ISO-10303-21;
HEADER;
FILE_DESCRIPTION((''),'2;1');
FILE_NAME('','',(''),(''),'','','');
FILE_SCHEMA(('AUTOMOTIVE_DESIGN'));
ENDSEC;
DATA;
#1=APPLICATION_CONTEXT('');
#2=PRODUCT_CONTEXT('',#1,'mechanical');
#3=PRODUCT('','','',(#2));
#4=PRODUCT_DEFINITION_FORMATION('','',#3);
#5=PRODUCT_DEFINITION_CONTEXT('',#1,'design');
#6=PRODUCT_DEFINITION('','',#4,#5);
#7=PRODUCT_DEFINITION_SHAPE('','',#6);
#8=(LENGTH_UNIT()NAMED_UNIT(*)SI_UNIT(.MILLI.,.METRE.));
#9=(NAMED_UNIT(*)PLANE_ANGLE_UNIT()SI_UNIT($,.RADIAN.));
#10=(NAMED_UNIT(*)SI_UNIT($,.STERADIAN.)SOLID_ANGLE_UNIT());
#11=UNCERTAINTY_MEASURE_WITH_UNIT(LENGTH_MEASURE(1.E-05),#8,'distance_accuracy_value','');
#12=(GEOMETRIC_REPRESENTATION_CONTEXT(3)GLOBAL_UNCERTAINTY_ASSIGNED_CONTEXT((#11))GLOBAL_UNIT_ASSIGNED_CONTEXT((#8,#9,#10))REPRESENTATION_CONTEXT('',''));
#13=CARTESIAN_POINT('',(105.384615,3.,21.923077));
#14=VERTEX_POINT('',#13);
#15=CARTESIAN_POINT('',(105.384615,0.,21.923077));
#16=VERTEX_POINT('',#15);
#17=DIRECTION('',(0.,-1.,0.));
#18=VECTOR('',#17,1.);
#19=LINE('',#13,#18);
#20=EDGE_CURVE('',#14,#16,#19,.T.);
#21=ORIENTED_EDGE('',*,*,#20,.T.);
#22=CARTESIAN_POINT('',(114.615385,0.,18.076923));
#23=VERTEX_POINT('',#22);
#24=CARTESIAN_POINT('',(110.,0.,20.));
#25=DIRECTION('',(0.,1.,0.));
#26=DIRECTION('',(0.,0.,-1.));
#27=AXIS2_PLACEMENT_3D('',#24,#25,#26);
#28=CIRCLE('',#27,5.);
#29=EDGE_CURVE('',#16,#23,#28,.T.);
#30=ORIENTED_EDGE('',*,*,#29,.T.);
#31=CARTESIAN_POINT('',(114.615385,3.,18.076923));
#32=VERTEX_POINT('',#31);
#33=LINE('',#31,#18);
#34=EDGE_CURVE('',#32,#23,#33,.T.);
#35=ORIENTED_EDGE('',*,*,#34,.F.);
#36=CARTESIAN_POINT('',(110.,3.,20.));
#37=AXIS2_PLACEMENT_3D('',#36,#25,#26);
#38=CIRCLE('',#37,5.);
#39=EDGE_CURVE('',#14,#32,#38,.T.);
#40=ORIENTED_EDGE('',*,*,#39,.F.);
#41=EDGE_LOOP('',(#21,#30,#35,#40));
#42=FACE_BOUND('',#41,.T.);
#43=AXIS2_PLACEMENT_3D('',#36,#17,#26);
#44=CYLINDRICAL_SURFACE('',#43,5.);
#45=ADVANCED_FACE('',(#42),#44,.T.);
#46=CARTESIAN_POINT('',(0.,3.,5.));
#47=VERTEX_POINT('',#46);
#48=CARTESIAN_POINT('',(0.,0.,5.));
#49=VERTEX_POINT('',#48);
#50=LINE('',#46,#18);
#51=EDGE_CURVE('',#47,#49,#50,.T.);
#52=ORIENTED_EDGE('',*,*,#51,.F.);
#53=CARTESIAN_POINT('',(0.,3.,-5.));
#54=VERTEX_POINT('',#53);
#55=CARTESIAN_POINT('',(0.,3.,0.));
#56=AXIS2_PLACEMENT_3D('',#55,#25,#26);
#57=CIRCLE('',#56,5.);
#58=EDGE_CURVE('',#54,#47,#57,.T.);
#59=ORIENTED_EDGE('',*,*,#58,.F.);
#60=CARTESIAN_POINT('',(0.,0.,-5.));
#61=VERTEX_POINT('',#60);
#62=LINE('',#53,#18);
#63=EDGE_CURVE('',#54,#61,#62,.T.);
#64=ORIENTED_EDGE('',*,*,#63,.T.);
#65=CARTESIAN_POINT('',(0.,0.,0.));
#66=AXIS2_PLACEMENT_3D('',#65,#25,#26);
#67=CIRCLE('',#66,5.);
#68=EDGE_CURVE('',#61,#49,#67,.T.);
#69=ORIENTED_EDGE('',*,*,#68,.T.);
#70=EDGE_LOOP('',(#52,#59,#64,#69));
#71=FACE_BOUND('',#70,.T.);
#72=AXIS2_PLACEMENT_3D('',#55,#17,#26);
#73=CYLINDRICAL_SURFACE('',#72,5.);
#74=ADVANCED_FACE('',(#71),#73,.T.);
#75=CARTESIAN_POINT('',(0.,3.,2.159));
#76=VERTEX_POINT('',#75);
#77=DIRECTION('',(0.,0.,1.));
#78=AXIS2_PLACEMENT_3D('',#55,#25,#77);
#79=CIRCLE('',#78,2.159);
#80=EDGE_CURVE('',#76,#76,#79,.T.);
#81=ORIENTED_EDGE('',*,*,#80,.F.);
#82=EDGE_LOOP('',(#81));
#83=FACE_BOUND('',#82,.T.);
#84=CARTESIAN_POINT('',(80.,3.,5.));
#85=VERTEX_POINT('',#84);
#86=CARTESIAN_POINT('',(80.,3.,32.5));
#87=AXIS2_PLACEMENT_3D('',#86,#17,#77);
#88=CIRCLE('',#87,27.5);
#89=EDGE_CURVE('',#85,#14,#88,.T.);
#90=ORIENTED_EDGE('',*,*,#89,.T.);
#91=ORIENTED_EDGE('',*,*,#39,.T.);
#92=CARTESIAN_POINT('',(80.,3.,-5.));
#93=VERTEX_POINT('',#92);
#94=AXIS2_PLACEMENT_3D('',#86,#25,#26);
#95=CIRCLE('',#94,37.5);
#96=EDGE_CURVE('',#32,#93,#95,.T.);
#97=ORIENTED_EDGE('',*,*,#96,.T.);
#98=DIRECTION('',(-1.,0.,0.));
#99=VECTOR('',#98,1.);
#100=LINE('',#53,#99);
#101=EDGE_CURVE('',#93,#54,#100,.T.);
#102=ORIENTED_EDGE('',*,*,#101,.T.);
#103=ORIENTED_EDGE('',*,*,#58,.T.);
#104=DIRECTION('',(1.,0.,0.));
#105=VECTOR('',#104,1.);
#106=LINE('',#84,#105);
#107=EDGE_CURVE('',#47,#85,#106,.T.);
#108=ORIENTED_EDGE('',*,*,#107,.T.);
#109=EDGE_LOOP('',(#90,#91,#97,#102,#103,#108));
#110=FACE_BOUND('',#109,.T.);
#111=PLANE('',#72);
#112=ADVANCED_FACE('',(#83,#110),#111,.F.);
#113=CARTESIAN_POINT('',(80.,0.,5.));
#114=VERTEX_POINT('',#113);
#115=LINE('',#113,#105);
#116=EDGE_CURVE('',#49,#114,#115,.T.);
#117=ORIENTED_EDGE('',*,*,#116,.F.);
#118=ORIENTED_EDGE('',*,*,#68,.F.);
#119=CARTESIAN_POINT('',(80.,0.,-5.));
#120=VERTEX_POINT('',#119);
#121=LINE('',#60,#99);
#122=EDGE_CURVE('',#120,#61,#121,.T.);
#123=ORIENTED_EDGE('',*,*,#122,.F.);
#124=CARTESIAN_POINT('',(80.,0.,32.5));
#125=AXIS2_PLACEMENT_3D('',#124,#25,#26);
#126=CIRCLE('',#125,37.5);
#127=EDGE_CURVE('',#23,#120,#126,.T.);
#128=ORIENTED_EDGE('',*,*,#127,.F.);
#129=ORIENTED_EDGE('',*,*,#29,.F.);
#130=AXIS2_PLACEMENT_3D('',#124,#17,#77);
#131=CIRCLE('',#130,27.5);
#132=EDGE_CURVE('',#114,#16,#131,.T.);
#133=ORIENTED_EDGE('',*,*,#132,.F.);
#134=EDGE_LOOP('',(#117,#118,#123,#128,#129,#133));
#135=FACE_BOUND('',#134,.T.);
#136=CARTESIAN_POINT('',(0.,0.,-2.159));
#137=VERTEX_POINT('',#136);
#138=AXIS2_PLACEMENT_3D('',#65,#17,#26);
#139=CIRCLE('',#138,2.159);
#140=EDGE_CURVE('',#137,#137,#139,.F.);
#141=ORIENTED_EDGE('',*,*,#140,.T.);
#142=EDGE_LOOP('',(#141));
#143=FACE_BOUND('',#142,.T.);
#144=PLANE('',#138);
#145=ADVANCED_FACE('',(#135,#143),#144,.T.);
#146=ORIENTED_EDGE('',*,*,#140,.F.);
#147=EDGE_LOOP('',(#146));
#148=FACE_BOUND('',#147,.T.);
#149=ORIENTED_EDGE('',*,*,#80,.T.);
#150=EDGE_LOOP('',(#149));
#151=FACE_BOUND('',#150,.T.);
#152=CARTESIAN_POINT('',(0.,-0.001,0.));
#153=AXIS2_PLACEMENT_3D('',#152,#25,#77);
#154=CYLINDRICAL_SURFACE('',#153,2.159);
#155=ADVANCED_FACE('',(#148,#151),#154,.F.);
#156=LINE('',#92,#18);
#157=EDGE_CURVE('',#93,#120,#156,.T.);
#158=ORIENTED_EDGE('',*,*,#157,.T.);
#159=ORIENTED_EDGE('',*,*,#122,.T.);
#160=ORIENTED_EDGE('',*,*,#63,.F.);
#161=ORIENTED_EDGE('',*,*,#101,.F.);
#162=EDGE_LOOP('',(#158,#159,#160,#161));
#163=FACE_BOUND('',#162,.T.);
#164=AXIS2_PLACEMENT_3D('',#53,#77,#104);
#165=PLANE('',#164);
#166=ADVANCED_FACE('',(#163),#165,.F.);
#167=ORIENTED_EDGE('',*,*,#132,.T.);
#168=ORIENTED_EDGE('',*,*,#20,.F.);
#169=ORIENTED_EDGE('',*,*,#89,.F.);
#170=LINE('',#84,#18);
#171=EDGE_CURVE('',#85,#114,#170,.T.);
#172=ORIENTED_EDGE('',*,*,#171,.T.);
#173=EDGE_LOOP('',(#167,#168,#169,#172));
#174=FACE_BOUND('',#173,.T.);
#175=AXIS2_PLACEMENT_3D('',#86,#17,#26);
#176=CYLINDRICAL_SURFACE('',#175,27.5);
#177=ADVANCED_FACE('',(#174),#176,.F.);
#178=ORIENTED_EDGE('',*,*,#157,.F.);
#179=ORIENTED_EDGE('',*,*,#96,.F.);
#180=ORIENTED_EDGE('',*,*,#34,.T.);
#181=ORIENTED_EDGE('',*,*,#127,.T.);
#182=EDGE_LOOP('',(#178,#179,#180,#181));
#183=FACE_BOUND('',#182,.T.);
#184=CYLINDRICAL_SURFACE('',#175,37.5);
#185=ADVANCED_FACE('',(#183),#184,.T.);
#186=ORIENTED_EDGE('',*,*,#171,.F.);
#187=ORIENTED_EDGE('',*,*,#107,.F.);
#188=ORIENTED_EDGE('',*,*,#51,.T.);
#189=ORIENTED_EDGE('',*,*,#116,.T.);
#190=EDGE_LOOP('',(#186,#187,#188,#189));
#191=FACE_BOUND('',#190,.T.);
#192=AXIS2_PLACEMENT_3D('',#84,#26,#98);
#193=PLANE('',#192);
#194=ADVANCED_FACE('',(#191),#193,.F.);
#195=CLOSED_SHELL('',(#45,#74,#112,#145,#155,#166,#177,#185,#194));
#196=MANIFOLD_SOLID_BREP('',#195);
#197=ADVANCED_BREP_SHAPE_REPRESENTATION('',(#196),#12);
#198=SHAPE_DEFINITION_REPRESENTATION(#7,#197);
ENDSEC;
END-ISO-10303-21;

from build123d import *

# Parameters (mm, degrees)
BOSS_EXTRUDE1_DEPTH = 3
CUT_EXTRUDE1_REACH  = 5
SKETCH2_R           = 2.159


with BuildPart() as part:
    # Sketch1 → Boss-Extrude1 (new body)
    with BuildSketch(Plane(origin=(0, 0, 0), x_dir=(1, 0, 0), z_dir=(0, 1, 0))):
        with BuildLine():
            Line((0, 5), (80, 5))
            ThreePointArc((80, 5), (100.801257358, -1.298113962), (114.615384615, -18.076923077))
            ThreePointArc((114.615384615, -18.076923077), (111.923076923, -24.615384615), (105.384615385, -21.923076923))
            ThreePointArc((105.384615385, -21.923076923), (95.254255396, -9.618616906), (80, -5))
            Line((80, -5), (0, -5))
            ThreePointArc((0, -5), (-5, 0), (0, 5))
        make_face()
    extrude(amount=BOSS_EXTRUDE1_DEPTH)

    # Sketch2 → Cut-Extrude1 (cut, up to next)
    with BuildSketch(Plane(origin=(0, 3, 0), x_dir=(1, 0, 0), z_dir=(0, 1, 0)), mode=Mode.PRIVATE) as cut_extrude1_sk1:
        Circle(SKETCH2_R)
    cut_extrude1_tool1 = extrude(cut_extrude1_sk1.sketch, amount=-CUT_EXTRUDE1_REACH, mode=Mode.PRIVATE) & part.part
    add(cut_extrude1_tool1.solids().sort_by_distance((0, 3, 0))[0], mode=Mode.SUBTRACT)


solid = part.part
